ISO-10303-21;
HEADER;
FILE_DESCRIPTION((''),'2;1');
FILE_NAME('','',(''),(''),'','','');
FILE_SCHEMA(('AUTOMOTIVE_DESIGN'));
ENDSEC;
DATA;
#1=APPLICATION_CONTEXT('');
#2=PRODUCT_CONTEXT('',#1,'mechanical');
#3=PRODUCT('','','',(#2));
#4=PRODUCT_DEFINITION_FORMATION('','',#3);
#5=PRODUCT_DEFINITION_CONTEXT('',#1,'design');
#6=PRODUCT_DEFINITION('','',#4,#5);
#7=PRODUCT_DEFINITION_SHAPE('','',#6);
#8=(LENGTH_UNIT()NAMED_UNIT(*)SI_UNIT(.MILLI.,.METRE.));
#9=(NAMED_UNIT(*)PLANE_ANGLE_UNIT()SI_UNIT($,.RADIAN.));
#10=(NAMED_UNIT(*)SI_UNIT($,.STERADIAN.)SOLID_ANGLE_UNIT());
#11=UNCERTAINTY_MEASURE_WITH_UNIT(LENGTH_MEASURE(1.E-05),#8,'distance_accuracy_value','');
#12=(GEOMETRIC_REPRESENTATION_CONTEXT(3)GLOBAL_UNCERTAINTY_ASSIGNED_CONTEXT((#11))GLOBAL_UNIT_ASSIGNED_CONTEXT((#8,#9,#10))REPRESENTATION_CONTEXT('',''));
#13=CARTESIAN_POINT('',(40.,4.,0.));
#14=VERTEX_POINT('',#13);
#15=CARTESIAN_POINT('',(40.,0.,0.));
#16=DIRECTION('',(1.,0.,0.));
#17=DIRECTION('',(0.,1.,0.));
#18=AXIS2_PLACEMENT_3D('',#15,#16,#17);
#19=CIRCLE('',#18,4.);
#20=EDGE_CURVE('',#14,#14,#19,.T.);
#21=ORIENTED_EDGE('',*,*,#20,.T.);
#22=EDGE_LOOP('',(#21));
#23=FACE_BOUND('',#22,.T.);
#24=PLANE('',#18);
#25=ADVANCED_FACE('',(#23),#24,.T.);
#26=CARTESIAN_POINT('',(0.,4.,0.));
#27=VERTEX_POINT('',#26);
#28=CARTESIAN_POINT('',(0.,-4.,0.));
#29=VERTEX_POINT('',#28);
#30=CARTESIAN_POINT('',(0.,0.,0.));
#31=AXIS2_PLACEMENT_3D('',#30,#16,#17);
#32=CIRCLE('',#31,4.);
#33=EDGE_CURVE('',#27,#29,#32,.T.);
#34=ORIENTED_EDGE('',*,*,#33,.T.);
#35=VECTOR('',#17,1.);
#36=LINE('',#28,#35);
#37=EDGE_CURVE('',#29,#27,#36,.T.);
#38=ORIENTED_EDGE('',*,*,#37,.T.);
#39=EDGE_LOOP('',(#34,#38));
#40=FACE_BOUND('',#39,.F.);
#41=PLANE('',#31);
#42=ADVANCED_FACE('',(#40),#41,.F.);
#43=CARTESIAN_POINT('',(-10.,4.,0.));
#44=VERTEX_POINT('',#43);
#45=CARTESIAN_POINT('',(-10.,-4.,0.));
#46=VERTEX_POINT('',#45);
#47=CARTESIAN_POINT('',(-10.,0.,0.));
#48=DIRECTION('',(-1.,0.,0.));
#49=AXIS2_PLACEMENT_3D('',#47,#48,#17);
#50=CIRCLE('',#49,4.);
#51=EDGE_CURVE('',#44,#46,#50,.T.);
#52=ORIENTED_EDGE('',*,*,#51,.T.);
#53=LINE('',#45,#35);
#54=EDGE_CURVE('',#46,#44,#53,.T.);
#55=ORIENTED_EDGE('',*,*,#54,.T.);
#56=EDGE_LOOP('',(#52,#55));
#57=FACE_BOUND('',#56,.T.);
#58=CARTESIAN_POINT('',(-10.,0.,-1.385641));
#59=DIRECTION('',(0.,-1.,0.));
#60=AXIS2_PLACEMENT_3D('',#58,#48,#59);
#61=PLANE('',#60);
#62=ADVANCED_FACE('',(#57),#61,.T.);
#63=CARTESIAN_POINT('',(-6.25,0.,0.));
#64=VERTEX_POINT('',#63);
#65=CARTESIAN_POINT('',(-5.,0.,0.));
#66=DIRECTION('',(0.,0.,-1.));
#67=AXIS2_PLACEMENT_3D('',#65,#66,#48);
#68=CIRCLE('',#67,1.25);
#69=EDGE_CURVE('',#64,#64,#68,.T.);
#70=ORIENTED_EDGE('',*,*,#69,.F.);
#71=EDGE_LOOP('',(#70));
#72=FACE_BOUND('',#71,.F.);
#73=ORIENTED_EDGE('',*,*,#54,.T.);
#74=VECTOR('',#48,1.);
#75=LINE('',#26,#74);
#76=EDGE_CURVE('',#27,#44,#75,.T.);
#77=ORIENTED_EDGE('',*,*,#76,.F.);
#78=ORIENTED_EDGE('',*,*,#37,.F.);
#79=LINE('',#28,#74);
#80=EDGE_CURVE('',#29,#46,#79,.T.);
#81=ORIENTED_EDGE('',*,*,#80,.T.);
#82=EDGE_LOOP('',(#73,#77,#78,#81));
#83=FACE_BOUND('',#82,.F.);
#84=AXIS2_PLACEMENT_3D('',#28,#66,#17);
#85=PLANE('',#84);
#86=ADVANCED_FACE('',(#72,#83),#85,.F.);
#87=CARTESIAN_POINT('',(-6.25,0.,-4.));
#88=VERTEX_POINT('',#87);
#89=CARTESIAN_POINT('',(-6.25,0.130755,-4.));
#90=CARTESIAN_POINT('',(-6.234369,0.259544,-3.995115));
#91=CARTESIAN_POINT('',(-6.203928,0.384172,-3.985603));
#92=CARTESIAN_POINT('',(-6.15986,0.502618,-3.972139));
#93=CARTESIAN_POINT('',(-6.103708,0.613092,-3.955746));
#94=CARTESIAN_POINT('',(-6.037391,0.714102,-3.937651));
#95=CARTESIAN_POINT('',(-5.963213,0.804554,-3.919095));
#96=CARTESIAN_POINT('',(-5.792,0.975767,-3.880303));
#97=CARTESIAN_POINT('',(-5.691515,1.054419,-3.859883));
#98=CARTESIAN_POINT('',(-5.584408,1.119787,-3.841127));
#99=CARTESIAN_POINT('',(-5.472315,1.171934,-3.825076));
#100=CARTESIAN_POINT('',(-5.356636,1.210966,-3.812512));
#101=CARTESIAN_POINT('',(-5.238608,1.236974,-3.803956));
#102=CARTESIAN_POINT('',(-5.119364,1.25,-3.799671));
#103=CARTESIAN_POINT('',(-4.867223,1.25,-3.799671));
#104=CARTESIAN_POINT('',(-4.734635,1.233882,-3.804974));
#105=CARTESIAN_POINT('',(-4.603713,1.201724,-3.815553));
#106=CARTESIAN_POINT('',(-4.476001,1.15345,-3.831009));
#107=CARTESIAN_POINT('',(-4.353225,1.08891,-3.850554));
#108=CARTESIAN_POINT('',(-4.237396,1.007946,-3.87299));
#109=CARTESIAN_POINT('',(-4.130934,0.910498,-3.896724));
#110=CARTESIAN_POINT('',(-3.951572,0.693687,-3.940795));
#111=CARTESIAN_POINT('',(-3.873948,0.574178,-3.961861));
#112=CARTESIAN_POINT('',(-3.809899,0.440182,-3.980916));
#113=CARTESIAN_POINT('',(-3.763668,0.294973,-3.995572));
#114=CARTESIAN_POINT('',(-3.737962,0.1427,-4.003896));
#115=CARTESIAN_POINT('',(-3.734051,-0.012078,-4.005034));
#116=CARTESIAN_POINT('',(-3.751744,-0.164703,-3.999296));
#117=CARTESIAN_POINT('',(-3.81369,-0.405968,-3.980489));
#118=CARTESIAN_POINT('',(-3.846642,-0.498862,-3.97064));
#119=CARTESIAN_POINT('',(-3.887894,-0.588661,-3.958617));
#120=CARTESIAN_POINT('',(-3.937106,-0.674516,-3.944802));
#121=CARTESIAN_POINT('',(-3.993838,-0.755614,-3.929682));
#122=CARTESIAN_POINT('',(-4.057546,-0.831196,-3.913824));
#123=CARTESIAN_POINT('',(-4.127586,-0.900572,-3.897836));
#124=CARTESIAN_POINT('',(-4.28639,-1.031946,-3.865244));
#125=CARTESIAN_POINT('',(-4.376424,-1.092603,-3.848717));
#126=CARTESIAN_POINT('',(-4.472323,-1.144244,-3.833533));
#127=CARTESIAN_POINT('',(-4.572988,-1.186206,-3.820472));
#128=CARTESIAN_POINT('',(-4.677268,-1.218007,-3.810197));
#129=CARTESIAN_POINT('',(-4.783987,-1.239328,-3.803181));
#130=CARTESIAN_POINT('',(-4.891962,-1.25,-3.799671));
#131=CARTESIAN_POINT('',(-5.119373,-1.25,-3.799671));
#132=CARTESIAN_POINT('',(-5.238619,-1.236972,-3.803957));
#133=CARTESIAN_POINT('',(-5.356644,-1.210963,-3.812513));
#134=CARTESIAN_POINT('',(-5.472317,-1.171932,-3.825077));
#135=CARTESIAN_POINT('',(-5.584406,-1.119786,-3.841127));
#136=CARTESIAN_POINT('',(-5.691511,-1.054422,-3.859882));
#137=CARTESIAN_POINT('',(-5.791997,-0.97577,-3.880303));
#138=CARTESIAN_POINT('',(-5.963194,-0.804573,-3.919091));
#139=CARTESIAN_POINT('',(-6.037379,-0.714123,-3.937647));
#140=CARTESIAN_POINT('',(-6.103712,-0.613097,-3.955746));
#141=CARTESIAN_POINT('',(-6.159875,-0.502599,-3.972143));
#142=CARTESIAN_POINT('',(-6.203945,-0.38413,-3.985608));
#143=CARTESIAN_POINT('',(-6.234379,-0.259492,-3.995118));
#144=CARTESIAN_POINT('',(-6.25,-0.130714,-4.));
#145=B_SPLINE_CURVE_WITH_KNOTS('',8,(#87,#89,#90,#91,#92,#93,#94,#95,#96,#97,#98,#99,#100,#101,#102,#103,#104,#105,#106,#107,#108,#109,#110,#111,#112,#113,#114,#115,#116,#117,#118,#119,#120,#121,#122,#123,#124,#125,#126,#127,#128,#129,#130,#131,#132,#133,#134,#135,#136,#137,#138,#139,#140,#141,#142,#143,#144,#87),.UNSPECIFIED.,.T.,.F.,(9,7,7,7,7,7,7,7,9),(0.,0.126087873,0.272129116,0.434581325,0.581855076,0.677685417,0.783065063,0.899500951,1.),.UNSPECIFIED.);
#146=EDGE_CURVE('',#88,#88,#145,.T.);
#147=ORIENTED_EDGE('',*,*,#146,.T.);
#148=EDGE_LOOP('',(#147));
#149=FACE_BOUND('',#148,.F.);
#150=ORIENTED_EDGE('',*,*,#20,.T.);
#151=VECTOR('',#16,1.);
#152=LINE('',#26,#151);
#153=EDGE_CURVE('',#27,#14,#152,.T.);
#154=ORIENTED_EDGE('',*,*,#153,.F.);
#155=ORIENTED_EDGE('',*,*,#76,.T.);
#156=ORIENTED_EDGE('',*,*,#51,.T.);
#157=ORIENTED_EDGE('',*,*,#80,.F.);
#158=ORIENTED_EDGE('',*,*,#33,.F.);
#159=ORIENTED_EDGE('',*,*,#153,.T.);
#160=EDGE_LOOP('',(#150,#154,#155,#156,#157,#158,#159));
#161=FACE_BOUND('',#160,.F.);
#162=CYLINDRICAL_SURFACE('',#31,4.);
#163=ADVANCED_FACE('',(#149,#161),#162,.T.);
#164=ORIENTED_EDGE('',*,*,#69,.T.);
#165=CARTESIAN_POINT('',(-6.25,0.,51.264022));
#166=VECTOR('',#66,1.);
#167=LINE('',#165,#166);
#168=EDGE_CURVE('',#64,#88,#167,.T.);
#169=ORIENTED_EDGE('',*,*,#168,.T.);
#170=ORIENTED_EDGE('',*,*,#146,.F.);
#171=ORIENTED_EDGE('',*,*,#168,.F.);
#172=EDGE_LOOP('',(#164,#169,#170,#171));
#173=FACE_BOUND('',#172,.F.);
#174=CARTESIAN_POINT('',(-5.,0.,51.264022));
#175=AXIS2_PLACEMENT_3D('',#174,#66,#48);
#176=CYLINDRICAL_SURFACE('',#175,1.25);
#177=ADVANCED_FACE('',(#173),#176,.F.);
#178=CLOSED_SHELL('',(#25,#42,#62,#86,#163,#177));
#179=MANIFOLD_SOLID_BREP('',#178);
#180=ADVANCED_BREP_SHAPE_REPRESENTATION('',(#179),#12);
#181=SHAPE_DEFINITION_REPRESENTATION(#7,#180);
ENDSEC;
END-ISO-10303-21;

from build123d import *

# Parameters (mm, degrees)
F0_R     = 4
F1_DEPTH = 40
F3_DEPTH = 10
F5_D     = 2.5


with BuildPart() as f1:
    # F0 (on Right) → F1 (new body)
    with BuildSketch(Plane.YZ):
        Circle(F0_R)
    extrude(amount=F1_DEPTH)

    # F2 (on face) → F3 (join)
    with BuildSketch(Plane(origin=(0, 0, 0), x_dir=(0, -1, 0), z_dir=(-1, 0, 0))):
        with BuildLine():
            Line((4, 0), (-4, 0))
            ThreePointArc((-4, 0), (0, -4), (4, 0))
        make_face()
    extrude(amount=F3_DEPTH)

    # F5 (through all)
    with Locations(Plane.XY):
        with Locations((-5, 0)):
            Hole(F5_D / 2)


solid = f1.part
